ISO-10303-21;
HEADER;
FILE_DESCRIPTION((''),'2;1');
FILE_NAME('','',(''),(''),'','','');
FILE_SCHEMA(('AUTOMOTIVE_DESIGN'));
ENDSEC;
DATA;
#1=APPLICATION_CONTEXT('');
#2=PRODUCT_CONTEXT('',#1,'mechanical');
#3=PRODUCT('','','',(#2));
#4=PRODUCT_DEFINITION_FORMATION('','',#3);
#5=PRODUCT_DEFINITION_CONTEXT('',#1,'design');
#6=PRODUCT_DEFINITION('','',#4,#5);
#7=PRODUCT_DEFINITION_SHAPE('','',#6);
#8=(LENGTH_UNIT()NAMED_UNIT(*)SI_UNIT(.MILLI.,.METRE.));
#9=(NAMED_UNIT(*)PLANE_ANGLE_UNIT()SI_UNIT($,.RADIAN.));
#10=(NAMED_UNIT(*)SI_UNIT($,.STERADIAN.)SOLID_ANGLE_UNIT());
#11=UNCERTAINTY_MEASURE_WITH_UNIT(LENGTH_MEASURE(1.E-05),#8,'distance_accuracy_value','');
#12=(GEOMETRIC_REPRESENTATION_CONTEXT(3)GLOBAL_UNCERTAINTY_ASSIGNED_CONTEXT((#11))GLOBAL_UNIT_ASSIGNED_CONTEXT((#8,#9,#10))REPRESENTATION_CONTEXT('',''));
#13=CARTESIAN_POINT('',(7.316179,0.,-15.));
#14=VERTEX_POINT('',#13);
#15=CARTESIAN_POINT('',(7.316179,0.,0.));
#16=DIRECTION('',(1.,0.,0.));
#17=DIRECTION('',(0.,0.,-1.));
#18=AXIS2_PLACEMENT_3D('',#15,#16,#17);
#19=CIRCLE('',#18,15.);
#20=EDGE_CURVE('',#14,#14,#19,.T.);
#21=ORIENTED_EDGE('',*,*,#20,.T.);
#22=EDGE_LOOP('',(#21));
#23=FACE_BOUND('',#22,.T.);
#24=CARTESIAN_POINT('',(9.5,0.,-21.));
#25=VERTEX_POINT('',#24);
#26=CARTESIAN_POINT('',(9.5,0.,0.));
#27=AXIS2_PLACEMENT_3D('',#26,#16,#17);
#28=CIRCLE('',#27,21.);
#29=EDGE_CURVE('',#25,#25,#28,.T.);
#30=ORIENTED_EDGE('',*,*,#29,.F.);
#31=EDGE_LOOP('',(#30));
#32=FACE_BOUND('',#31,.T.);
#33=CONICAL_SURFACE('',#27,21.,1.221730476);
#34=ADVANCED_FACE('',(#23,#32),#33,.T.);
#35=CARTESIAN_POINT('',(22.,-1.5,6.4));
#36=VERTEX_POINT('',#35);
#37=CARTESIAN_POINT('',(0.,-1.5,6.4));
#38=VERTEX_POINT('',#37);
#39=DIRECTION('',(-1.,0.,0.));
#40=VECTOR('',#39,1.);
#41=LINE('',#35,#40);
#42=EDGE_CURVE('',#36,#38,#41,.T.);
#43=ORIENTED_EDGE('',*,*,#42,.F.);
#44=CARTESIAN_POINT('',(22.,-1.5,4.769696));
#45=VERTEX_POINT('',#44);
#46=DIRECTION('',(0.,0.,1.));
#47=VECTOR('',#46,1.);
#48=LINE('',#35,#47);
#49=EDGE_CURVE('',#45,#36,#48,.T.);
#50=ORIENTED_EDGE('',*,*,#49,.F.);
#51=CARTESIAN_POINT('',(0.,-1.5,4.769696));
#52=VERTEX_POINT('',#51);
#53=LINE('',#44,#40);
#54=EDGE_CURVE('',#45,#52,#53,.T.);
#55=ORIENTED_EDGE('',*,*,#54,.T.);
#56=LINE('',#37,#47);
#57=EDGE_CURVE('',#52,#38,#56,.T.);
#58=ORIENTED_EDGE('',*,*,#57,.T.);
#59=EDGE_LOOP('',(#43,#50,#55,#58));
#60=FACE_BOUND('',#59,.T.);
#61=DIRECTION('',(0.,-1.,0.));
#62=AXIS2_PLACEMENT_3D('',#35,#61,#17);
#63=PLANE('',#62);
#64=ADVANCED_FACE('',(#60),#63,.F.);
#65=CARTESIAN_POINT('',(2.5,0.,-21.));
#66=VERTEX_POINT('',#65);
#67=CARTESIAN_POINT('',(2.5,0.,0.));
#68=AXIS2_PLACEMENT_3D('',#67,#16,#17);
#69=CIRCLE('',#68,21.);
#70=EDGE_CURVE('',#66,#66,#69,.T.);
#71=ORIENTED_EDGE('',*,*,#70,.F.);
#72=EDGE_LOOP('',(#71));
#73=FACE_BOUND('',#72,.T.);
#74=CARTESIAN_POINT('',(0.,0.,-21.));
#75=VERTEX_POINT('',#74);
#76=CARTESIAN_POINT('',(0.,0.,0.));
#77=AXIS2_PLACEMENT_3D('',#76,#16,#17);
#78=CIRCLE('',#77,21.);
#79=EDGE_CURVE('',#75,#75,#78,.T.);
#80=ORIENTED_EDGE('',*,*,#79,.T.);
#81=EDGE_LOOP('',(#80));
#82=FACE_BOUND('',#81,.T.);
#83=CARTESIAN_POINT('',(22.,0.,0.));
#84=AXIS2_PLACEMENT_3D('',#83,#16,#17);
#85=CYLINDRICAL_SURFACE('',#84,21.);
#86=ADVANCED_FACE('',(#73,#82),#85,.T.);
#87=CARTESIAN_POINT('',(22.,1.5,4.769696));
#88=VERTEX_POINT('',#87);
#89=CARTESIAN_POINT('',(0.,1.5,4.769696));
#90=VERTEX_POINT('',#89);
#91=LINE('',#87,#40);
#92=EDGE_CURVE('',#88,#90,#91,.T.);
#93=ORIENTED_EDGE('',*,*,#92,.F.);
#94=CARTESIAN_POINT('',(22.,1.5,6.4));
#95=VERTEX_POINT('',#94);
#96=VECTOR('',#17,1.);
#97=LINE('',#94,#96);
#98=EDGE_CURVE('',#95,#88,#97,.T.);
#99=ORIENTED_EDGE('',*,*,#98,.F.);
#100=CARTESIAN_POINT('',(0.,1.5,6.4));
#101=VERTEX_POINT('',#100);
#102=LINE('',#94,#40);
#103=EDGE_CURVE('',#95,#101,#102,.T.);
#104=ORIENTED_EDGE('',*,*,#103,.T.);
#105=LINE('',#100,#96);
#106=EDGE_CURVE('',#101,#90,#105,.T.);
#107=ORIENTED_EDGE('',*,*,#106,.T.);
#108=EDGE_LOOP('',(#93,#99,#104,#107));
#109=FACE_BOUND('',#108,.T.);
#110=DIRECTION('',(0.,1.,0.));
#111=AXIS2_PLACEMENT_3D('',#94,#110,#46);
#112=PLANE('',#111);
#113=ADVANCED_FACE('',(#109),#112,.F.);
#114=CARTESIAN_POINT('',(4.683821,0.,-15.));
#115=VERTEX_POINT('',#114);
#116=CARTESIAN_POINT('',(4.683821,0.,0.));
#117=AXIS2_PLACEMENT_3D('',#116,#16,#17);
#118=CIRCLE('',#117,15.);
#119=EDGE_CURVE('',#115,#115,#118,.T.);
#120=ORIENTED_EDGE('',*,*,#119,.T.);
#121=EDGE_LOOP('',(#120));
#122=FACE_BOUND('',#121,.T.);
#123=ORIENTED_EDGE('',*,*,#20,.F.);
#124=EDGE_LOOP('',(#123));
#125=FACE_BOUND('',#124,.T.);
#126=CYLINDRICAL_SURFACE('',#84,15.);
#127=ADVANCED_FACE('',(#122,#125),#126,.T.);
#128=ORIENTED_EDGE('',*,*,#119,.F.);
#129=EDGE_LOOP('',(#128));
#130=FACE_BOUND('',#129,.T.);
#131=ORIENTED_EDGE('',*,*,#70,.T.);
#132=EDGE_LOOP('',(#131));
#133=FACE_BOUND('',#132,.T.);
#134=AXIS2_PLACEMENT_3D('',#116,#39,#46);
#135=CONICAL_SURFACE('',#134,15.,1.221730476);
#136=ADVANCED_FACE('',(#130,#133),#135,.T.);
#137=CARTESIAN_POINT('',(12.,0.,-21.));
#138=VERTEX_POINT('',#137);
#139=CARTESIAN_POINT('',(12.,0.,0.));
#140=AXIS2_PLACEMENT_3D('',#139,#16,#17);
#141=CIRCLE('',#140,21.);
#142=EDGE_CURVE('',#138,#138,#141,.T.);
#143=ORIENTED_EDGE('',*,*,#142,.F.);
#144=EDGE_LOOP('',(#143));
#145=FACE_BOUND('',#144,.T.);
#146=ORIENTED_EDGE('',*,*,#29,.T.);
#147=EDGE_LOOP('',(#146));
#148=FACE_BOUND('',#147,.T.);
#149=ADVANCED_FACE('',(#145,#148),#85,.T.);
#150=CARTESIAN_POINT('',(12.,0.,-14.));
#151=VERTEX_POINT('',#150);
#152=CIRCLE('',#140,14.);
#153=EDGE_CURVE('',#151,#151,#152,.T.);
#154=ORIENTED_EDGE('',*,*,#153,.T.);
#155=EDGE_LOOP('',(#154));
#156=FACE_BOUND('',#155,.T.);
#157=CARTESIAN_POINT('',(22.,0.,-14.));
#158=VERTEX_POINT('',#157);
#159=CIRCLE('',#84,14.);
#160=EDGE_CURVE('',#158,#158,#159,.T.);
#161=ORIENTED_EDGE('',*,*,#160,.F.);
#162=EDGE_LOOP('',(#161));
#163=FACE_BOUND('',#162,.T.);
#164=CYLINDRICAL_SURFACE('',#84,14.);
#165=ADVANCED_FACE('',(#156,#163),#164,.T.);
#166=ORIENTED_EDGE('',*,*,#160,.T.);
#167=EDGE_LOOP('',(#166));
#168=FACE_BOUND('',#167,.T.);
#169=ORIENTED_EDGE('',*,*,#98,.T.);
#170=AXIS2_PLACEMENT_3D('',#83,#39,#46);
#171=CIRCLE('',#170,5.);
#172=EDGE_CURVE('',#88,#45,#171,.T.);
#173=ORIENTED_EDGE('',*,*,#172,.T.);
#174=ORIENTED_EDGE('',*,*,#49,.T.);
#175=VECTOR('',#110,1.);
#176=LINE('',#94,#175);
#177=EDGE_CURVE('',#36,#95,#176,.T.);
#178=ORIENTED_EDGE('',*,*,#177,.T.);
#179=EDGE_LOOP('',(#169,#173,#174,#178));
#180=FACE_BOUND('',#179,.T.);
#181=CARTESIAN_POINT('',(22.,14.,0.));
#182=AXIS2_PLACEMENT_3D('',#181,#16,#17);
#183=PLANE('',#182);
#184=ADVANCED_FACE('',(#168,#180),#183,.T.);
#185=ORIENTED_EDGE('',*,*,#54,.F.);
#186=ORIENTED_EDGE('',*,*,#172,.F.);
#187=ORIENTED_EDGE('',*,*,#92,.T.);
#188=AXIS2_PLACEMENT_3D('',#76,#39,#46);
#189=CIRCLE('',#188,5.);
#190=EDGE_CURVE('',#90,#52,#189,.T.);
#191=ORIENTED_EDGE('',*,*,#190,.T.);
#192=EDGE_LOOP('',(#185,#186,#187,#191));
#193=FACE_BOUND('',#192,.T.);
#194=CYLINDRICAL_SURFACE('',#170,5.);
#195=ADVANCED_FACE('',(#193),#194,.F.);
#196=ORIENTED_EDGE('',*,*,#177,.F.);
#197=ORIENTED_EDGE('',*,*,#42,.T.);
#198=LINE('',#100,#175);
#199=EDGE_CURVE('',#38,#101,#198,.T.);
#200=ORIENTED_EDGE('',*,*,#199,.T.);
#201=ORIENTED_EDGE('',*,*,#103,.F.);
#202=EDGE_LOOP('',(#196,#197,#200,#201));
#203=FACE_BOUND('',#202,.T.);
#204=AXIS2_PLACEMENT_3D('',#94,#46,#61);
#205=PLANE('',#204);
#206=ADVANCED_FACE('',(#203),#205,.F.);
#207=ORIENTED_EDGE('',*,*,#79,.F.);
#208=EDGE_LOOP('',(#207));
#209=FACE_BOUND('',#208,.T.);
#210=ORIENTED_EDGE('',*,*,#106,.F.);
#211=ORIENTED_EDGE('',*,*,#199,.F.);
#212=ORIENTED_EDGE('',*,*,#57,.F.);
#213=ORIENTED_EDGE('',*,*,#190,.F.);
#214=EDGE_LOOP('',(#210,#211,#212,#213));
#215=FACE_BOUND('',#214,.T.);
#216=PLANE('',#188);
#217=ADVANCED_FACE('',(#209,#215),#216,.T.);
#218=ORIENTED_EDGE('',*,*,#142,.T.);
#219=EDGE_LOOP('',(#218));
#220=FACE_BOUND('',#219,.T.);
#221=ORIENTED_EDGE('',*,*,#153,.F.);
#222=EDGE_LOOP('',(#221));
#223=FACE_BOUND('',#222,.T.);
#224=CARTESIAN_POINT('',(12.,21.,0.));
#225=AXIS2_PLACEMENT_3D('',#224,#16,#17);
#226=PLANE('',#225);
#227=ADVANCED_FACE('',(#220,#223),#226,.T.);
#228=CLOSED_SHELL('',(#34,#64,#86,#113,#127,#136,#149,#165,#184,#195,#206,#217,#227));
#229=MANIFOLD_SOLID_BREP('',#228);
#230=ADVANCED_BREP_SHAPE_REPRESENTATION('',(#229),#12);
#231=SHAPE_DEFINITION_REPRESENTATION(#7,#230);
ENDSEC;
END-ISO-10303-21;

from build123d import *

# Parameters (mm, degrees)
CUT_EXTRUDE1_DEPTH = 23


with BuildPart() as part:
    # Sketch1 → Revolve1 (revolve)
    with BuildSketch(Plane.XY):
        Polygon((22, 0), (0, 0), (0, 21), (2.5, 21), (4.683821406, 15), (7.316178594, 15), (9.5, 21), (12, 21), (12, 14), (22, 14), align=None)
    revolve(axis=Axis((22, 0, 0), (-1, 0, 0)))

    # Sketch2 → Cut-Extrude1 (cut, through all)
    with BuildSketch(Plane.ZY):
        with BuildLine():
            Line((6.4, 1.5), (6.4, -1.5))
            Line((6.4, -1.5), (4.769696007, -1.5))
            ThreePointArc((4.769696007, -1.5), (-5, 0), (4.769696007, 1.5))
            Line((4.769696007, 1.5), (6.4, 1.5))
        make_face()
    extrude(amount=-CUT_EXTRUDE1_DEPTH, mode=Mode.SUBTRACT)


solid = part.part
